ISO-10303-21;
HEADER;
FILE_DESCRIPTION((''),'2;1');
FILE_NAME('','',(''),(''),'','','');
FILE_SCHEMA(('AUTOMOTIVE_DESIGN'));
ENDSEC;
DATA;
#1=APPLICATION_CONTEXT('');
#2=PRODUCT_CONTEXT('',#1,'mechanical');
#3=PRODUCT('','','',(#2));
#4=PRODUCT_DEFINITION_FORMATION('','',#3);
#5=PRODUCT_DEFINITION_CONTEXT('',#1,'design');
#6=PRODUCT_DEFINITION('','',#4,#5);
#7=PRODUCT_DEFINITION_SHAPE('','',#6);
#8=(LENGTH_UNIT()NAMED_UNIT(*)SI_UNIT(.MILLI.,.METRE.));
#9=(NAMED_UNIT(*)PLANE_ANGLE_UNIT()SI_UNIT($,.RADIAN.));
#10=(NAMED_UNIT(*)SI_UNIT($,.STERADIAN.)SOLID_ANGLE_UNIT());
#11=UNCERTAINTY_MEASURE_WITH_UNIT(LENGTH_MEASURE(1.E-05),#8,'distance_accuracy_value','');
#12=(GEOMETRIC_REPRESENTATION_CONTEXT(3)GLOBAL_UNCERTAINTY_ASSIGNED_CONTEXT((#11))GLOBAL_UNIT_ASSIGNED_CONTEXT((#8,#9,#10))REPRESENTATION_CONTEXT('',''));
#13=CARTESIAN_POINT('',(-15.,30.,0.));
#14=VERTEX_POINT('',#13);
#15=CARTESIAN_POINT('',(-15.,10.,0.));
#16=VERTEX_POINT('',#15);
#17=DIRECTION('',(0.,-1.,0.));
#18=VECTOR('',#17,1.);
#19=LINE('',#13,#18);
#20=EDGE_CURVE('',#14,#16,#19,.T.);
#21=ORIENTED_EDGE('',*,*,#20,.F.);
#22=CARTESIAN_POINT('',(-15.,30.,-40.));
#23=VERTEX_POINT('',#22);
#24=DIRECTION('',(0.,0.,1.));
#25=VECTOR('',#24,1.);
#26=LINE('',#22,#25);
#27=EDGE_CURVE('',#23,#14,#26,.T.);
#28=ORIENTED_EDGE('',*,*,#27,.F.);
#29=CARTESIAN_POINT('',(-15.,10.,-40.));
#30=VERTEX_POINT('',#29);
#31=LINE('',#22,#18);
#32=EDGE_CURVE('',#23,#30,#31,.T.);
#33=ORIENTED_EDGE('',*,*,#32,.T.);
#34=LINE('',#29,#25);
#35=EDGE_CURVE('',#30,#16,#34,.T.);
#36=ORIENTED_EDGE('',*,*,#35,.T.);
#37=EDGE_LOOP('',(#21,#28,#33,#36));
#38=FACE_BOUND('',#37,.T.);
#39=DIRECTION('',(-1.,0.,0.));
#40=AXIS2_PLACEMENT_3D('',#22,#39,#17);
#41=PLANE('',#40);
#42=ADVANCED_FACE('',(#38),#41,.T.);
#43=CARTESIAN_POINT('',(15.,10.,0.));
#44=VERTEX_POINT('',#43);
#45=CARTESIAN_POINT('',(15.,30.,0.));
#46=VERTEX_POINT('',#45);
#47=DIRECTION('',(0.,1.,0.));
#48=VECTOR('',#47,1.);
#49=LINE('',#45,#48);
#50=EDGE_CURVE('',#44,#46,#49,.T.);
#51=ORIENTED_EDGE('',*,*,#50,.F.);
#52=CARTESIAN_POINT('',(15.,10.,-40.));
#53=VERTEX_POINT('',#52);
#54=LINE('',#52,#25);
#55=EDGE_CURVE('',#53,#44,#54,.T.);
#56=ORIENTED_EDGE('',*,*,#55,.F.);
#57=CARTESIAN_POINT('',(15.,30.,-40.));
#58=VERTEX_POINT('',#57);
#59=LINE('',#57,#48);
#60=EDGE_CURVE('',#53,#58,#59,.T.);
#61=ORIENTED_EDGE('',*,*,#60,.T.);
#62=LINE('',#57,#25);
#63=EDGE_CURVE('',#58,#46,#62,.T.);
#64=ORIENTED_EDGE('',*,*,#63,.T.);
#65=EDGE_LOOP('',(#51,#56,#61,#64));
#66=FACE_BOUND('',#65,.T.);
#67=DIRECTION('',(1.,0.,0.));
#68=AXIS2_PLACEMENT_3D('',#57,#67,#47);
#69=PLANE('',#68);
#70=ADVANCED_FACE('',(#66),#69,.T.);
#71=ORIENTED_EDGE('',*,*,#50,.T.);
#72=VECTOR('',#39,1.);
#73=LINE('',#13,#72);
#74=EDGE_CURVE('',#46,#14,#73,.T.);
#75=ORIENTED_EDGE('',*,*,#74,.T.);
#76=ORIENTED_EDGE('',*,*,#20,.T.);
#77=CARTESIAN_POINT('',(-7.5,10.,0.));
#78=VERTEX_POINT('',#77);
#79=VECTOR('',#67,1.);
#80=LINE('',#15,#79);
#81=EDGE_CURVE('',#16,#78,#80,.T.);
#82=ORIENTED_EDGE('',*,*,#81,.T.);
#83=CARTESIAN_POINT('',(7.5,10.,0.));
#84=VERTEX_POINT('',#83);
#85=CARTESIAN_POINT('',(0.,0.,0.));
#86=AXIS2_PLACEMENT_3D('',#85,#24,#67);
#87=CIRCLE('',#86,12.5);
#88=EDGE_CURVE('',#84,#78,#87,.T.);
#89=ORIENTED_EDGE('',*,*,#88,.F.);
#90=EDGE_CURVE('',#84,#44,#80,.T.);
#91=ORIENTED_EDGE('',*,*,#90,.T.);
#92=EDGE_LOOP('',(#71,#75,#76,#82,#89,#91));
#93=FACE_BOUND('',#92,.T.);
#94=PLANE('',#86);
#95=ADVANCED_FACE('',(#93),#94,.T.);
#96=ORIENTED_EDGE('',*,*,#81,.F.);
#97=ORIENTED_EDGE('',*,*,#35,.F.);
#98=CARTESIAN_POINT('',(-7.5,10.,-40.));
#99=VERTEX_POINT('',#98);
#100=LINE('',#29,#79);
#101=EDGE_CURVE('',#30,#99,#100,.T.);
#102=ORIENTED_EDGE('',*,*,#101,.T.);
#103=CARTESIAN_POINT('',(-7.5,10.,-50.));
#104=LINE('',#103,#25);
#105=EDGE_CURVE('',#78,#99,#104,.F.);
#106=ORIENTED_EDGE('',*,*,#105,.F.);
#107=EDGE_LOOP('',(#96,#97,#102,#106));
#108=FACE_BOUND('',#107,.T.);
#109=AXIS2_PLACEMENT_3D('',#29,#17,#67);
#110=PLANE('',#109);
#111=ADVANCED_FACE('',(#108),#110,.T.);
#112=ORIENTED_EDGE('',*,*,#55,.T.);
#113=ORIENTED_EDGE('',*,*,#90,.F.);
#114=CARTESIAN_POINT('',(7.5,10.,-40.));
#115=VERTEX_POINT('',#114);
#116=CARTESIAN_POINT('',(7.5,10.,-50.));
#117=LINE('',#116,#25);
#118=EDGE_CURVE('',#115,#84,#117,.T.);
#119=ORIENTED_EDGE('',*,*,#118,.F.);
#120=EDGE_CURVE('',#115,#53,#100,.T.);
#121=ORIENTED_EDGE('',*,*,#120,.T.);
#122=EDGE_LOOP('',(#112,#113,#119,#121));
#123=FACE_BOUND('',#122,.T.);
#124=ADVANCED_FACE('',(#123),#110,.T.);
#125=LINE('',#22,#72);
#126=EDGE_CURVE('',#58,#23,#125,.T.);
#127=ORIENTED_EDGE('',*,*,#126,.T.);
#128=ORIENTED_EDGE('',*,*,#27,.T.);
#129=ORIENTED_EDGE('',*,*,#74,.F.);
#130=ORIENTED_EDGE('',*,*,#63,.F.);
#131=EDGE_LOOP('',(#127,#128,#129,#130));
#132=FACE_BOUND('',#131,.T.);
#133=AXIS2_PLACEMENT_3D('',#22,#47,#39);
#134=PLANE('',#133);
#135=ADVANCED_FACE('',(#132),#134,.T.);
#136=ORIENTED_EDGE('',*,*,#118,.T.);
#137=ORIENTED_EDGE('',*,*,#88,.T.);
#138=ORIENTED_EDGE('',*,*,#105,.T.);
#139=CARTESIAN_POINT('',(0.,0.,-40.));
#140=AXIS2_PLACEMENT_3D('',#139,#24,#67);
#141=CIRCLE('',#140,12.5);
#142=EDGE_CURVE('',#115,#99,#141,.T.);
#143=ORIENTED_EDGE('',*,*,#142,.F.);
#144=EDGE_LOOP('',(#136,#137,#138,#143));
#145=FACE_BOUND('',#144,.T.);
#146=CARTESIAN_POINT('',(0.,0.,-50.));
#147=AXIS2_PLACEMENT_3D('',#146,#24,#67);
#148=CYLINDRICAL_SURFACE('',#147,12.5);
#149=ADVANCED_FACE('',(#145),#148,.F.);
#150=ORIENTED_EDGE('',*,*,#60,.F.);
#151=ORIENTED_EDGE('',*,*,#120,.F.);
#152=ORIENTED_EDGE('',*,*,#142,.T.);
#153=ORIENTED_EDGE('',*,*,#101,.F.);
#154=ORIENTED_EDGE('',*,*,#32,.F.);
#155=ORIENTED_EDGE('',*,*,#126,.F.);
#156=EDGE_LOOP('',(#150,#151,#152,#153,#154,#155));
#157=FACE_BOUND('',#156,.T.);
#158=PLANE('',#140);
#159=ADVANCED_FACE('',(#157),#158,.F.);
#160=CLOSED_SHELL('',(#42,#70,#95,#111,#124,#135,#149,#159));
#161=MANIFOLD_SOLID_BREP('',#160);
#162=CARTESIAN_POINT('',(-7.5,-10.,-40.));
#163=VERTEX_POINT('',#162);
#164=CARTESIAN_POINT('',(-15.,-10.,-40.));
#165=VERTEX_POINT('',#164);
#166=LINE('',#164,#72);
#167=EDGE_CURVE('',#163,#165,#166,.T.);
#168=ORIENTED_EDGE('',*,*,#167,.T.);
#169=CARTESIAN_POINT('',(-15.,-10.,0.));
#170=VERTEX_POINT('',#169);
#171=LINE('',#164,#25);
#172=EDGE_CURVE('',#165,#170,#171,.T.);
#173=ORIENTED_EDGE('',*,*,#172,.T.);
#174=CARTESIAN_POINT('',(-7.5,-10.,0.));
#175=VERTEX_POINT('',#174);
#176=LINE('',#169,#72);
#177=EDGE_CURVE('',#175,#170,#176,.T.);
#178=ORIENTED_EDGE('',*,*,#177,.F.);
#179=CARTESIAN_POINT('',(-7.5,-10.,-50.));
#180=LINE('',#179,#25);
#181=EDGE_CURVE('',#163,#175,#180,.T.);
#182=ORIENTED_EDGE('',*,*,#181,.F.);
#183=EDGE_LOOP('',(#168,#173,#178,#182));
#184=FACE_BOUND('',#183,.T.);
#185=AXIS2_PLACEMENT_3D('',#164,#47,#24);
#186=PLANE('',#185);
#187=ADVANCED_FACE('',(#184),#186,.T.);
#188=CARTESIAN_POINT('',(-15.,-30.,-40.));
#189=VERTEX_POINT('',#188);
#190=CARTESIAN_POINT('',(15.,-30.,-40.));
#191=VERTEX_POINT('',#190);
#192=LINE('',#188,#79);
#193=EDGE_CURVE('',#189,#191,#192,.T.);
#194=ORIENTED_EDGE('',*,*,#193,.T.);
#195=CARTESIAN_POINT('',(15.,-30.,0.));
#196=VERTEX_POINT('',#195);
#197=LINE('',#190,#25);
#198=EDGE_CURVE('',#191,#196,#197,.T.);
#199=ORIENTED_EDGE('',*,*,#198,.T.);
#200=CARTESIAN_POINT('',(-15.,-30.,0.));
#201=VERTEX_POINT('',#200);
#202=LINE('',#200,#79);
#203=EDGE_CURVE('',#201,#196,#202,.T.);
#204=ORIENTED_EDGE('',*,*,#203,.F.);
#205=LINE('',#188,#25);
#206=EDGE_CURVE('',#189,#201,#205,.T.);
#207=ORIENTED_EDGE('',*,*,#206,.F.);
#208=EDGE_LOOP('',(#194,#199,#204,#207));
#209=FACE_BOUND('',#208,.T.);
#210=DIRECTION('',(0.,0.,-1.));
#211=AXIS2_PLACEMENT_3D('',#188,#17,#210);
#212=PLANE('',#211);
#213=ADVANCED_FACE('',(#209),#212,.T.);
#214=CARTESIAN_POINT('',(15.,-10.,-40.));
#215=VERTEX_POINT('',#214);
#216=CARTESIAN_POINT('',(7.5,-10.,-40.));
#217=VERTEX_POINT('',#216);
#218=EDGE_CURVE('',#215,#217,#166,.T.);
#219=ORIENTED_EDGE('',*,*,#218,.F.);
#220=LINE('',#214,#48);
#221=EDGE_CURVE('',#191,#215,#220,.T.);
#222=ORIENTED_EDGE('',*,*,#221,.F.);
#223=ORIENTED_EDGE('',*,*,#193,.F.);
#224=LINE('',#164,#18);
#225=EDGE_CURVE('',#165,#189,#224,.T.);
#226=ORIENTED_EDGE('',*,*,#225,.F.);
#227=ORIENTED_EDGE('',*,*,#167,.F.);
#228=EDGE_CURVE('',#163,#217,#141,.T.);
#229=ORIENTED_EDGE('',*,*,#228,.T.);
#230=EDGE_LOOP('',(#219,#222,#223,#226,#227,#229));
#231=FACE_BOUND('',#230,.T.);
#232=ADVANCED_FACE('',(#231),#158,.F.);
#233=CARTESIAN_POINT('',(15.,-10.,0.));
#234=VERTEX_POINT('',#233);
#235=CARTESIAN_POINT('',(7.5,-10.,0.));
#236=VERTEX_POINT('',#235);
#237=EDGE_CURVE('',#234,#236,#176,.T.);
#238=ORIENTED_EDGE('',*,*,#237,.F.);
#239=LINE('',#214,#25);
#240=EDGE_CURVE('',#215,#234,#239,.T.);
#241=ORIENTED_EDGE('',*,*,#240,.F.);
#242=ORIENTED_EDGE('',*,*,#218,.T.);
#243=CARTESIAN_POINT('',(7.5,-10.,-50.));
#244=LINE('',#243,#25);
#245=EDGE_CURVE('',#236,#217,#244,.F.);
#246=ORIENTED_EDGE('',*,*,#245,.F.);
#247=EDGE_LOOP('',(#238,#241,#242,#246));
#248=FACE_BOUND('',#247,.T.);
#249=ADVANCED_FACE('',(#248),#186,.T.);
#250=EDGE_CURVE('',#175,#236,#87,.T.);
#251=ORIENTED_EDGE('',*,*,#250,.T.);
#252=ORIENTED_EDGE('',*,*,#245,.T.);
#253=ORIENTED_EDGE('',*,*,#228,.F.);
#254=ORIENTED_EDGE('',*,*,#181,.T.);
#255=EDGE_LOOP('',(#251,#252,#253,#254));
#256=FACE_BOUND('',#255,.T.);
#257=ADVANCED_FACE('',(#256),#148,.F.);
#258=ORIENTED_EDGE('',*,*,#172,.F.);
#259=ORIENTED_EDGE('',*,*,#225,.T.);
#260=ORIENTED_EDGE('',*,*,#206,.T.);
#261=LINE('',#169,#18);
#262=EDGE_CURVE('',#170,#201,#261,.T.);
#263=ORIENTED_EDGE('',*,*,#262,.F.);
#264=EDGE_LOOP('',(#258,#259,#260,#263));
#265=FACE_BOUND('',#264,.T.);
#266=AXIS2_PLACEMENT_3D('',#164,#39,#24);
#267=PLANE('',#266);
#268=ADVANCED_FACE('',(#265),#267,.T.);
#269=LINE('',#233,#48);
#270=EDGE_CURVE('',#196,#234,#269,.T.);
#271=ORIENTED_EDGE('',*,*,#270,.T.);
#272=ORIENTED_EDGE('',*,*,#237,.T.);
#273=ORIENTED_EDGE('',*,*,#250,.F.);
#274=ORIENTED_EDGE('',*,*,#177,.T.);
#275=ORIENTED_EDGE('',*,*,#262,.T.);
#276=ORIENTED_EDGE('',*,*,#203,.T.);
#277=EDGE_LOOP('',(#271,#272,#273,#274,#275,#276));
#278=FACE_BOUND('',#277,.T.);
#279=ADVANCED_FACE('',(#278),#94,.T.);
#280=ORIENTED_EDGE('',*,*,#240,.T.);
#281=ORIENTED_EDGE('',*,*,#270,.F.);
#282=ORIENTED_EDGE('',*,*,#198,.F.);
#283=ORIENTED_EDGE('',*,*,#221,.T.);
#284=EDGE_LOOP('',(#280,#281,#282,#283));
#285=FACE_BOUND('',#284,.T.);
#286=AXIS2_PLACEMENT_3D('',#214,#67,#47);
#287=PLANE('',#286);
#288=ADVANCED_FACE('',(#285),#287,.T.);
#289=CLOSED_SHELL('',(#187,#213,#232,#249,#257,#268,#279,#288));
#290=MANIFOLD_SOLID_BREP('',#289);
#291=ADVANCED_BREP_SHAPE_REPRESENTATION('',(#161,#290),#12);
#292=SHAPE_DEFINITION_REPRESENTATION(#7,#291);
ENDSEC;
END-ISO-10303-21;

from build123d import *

# Parameters (mm, degrees)
SKIZZE1_W                         = 30
SKIZZE1_H                         = 20
AUFSATZ_LINEAR_AUSTRAGEN1_DEPTH   = 40
AUFSATZ_LINEAR_AUSTRAGEN1_2_DEPTH = 40
SKIZZE2_R                         = 12.5
SCHNITT_LINEAR_AUSTRAGEN1_DEPTH   = 50


with BuildPart() as part:
    # Skizze1 → Aufsatz-Linear austragen1 (new body)
    with BuildSketch(Plane.XY):
        with Locations((0, 20)):
            Rectangle(SKIZZE1_W, SKIZZE1_H)
    extrude(amount=-AUFSATZ_LINEAR_AUSTRAGEN1_DEPTH)


with BuildPart() as body_2:
    # Skizze1 → Aufsatz-Linear austragen1 2 (new body)
    with BuildSketch(Plane.XY):
        with Locations((0, -20)):
            Rectangle(SKIZZE1_W, SKIZZE1_H)
    extrude(amount=-AUFSATZ_LINEAR_AUSTRAGEN1_2_DEPTH)


with BuildPart() as schnitt_linear_austragen1_tool:
    # Skizze2 → Schnitt-Linear austragen1 (new body)
    with BuildSketch(Plane.XY):
        Circle(SKIZZE2_R)
    extrude(amount=-SCHNITT_LINEAR_AUSTRAGEN1_DEPTH)


with BuildPart() as part_1:
    add(part.part)

    # Schnitt-Linear austragen1: cut by schnitt_linear_austragen1_tool
    add(schnitt_linear_austragen1_tool.part, mode=Mode.SUBTRACT)


with BuildPart() as body_2_1:
    add(body_2.part)

    # Schnitt-Linear austragen1: cut by schnitt_linear_austragen1_tool
    add(schnitt_linear_austragen1_tool.part, mode=Mode.SUBTRACT)


solid = Compound([part_1.part, body_2_1.part])
